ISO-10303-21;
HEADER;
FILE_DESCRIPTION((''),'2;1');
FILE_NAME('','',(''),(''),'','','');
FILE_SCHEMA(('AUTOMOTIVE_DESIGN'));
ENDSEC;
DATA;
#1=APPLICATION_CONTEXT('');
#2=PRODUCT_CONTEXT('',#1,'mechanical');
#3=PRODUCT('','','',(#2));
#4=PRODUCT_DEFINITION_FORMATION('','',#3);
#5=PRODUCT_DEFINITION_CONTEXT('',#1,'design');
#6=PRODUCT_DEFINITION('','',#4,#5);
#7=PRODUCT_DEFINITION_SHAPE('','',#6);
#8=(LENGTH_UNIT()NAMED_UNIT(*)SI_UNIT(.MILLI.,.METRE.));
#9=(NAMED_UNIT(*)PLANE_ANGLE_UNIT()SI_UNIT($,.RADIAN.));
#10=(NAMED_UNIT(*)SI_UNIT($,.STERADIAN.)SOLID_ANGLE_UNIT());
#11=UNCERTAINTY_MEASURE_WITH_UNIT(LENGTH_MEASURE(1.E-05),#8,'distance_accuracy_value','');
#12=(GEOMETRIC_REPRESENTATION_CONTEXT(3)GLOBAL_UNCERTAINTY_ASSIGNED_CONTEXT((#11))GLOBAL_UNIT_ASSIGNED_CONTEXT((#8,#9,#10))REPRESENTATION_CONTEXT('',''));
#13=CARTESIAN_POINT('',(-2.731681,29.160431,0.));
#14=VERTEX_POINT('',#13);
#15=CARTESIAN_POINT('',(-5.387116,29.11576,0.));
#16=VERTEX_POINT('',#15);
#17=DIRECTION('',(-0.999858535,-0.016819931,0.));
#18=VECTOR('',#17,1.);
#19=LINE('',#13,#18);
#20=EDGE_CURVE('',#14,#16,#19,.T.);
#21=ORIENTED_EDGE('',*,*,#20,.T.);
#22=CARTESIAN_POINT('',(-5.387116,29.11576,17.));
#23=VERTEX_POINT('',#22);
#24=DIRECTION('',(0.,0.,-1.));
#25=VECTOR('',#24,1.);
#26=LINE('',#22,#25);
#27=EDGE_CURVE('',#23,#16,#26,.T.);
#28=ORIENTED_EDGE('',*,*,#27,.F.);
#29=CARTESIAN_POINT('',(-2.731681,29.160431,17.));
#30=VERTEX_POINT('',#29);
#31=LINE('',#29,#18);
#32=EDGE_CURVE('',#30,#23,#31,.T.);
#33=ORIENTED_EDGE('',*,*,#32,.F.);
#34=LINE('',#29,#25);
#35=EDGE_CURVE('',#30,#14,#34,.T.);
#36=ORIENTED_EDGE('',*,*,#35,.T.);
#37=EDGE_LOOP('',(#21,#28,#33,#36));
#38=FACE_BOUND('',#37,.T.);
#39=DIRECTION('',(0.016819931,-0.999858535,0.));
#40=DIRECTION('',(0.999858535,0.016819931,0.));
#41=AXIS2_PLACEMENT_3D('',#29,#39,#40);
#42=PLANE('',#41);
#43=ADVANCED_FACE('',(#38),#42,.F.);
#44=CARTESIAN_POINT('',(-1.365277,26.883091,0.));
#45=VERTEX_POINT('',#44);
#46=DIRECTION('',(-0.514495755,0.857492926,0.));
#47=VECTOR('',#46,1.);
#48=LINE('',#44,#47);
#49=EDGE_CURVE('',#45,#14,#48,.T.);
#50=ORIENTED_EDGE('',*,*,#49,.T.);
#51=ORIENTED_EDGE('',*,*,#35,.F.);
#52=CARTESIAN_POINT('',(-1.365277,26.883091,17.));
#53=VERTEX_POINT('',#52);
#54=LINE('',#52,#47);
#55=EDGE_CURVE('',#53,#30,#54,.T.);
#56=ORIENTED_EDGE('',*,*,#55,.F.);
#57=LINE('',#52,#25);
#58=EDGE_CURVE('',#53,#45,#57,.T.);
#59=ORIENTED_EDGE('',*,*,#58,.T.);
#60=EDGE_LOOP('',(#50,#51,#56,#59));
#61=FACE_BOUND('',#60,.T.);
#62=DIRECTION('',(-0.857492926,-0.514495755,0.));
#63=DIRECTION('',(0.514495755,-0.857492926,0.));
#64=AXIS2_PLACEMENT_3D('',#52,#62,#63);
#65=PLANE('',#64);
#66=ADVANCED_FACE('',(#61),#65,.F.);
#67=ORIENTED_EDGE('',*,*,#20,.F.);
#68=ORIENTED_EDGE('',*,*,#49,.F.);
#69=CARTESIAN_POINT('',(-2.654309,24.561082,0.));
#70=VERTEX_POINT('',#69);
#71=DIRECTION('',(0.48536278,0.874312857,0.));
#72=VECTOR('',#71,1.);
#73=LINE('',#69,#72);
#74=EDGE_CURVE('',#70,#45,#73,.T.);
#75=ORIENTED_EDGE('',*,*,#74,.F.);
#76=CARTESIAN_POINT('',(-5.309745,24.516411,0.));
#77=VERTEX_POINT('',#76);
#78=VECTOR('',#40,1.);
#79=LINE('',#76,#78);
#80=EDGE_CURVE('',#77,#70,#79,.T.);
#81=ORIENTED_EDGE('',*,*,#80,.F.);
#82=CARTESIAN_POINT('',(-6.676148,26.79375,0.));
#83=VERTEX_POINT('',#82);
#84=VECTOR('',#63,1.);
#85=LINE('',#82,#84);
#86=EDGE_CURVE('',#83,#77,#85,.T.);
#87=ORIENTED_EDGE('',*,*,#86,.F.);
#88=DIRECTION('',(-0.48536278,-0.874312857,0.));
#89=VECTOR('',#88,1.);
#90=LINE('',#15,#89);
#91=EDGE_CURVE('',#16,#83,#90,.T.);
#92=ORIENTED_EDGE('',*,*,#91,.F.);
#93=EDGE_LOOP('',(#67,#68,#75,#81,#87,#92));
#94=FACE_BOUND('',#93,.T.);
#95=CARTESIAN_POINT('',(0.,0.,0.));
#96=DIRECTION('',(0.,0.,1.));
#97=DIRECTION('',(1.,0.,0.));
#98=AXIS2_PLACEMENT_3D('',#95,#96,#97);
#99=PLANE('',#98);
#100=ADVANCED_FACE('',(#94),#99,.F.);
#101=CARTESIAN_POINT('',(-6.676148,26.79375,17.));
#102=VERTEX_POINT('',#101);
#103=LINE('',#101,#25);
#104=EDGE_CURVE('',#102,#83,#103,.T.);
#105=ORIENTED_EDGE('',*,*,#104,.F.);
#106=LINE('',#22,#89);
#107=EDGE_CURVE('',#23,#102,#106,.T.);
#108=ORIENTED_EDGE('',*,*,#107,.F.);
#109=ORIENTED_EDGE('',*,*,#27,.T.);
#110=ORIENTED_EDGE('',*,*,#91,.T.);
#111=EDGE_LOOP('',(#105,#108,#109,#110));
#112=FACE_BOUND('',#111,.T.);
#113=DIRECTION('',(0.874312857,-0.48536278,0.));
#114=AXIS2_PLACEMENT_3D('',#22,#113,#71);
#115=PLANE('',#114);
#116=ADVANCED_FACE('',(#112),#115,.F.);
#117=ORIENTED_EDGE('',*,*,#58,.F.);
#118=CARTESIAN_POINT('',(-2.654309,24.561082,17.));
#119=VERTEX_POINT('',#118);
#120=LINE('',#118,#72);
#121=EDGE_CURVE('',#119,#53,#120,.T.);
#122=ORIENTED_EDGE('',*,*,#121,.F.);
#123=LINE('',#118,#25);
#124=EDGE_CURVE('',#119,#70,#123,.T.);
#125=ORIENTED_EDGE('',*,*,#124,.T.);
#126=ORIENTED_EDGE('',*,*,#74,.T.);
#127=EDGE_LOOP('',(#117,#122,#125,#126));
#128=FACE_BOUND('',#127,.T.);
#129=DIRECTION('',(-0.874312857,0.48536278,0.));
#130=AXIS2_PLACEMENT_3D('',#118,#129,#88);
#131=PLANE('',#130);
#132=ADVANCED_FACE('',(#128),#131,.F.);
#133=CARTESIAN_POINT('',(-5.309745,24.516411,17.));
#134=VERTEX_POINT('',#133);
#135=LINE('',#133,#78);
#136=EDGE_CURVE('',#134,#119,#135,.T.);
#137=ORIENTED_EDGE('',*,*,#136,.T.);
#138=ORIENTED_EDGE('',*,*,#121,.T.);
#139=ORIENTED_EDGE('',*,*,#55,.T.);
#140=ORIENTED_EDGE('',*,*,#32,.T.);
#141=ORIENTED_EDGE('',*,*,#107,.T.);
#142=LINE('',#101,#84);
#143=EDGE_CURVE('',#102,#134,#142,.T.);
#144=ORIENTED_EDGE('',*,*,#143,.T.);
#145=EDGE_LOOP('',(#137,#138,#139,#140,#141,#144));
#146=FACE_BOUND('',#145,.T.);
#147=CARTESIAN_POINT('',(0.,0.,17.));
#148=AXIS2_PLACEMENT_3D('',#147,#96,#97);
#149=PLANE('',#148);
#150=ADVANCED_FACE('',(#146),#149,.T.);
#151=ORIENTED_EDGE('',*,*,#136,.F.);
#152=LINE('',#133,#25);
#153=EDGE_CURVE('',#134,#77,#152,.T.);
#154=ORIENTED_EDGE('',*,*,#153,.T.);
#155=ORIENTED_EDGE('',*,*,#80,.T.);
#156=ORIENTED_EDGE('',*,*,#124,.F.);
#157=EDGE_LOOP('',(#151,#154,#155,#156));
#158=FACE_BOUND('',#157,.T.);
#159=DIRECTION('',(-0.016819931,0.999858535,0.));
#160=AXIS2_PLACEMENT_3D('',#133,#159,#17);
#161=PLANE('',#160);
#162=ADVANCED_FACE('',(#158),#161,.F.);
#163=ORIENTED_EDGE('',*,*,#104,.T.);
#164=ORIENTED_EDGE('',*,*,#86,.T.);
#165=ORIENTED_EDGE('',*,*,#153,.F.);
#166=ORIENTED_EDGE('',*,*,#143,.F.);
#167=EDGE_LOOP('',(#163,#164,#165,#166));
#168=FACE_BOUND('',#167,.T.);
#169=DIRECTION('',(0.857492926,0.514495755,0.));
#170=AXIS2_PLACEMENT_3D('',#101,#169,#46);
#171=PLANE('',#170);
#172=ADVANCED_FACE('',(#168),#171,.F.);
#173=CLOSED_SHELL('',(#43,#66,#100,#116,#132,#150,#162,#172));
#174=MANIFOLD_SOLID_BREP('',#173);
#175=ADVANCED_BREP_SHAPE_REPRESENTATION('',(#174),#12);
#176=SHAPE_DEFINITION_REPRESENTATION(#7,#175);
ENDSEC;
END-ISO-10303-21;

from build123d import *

# Parameters (mm, degrees)
EXTRUDE_1_DEPTH = 17


with BuildPart() as part:
    # 草图1 → 凸台-拉伸1 (new body)
    with BuildSketch(Plane.XY):
        Polygon((-2.65430906, 24.561081581), (-1.365277136, 26.883091493), (-2.731680745, 29.160430842), (-5.387116279, 29.115760279), (-6.676148203, 26.793750367), (-5.309744594, 24.516411018), align=None)
    extrude(amount=EXTRUDE_1_DEPTH)


solid = part.part
